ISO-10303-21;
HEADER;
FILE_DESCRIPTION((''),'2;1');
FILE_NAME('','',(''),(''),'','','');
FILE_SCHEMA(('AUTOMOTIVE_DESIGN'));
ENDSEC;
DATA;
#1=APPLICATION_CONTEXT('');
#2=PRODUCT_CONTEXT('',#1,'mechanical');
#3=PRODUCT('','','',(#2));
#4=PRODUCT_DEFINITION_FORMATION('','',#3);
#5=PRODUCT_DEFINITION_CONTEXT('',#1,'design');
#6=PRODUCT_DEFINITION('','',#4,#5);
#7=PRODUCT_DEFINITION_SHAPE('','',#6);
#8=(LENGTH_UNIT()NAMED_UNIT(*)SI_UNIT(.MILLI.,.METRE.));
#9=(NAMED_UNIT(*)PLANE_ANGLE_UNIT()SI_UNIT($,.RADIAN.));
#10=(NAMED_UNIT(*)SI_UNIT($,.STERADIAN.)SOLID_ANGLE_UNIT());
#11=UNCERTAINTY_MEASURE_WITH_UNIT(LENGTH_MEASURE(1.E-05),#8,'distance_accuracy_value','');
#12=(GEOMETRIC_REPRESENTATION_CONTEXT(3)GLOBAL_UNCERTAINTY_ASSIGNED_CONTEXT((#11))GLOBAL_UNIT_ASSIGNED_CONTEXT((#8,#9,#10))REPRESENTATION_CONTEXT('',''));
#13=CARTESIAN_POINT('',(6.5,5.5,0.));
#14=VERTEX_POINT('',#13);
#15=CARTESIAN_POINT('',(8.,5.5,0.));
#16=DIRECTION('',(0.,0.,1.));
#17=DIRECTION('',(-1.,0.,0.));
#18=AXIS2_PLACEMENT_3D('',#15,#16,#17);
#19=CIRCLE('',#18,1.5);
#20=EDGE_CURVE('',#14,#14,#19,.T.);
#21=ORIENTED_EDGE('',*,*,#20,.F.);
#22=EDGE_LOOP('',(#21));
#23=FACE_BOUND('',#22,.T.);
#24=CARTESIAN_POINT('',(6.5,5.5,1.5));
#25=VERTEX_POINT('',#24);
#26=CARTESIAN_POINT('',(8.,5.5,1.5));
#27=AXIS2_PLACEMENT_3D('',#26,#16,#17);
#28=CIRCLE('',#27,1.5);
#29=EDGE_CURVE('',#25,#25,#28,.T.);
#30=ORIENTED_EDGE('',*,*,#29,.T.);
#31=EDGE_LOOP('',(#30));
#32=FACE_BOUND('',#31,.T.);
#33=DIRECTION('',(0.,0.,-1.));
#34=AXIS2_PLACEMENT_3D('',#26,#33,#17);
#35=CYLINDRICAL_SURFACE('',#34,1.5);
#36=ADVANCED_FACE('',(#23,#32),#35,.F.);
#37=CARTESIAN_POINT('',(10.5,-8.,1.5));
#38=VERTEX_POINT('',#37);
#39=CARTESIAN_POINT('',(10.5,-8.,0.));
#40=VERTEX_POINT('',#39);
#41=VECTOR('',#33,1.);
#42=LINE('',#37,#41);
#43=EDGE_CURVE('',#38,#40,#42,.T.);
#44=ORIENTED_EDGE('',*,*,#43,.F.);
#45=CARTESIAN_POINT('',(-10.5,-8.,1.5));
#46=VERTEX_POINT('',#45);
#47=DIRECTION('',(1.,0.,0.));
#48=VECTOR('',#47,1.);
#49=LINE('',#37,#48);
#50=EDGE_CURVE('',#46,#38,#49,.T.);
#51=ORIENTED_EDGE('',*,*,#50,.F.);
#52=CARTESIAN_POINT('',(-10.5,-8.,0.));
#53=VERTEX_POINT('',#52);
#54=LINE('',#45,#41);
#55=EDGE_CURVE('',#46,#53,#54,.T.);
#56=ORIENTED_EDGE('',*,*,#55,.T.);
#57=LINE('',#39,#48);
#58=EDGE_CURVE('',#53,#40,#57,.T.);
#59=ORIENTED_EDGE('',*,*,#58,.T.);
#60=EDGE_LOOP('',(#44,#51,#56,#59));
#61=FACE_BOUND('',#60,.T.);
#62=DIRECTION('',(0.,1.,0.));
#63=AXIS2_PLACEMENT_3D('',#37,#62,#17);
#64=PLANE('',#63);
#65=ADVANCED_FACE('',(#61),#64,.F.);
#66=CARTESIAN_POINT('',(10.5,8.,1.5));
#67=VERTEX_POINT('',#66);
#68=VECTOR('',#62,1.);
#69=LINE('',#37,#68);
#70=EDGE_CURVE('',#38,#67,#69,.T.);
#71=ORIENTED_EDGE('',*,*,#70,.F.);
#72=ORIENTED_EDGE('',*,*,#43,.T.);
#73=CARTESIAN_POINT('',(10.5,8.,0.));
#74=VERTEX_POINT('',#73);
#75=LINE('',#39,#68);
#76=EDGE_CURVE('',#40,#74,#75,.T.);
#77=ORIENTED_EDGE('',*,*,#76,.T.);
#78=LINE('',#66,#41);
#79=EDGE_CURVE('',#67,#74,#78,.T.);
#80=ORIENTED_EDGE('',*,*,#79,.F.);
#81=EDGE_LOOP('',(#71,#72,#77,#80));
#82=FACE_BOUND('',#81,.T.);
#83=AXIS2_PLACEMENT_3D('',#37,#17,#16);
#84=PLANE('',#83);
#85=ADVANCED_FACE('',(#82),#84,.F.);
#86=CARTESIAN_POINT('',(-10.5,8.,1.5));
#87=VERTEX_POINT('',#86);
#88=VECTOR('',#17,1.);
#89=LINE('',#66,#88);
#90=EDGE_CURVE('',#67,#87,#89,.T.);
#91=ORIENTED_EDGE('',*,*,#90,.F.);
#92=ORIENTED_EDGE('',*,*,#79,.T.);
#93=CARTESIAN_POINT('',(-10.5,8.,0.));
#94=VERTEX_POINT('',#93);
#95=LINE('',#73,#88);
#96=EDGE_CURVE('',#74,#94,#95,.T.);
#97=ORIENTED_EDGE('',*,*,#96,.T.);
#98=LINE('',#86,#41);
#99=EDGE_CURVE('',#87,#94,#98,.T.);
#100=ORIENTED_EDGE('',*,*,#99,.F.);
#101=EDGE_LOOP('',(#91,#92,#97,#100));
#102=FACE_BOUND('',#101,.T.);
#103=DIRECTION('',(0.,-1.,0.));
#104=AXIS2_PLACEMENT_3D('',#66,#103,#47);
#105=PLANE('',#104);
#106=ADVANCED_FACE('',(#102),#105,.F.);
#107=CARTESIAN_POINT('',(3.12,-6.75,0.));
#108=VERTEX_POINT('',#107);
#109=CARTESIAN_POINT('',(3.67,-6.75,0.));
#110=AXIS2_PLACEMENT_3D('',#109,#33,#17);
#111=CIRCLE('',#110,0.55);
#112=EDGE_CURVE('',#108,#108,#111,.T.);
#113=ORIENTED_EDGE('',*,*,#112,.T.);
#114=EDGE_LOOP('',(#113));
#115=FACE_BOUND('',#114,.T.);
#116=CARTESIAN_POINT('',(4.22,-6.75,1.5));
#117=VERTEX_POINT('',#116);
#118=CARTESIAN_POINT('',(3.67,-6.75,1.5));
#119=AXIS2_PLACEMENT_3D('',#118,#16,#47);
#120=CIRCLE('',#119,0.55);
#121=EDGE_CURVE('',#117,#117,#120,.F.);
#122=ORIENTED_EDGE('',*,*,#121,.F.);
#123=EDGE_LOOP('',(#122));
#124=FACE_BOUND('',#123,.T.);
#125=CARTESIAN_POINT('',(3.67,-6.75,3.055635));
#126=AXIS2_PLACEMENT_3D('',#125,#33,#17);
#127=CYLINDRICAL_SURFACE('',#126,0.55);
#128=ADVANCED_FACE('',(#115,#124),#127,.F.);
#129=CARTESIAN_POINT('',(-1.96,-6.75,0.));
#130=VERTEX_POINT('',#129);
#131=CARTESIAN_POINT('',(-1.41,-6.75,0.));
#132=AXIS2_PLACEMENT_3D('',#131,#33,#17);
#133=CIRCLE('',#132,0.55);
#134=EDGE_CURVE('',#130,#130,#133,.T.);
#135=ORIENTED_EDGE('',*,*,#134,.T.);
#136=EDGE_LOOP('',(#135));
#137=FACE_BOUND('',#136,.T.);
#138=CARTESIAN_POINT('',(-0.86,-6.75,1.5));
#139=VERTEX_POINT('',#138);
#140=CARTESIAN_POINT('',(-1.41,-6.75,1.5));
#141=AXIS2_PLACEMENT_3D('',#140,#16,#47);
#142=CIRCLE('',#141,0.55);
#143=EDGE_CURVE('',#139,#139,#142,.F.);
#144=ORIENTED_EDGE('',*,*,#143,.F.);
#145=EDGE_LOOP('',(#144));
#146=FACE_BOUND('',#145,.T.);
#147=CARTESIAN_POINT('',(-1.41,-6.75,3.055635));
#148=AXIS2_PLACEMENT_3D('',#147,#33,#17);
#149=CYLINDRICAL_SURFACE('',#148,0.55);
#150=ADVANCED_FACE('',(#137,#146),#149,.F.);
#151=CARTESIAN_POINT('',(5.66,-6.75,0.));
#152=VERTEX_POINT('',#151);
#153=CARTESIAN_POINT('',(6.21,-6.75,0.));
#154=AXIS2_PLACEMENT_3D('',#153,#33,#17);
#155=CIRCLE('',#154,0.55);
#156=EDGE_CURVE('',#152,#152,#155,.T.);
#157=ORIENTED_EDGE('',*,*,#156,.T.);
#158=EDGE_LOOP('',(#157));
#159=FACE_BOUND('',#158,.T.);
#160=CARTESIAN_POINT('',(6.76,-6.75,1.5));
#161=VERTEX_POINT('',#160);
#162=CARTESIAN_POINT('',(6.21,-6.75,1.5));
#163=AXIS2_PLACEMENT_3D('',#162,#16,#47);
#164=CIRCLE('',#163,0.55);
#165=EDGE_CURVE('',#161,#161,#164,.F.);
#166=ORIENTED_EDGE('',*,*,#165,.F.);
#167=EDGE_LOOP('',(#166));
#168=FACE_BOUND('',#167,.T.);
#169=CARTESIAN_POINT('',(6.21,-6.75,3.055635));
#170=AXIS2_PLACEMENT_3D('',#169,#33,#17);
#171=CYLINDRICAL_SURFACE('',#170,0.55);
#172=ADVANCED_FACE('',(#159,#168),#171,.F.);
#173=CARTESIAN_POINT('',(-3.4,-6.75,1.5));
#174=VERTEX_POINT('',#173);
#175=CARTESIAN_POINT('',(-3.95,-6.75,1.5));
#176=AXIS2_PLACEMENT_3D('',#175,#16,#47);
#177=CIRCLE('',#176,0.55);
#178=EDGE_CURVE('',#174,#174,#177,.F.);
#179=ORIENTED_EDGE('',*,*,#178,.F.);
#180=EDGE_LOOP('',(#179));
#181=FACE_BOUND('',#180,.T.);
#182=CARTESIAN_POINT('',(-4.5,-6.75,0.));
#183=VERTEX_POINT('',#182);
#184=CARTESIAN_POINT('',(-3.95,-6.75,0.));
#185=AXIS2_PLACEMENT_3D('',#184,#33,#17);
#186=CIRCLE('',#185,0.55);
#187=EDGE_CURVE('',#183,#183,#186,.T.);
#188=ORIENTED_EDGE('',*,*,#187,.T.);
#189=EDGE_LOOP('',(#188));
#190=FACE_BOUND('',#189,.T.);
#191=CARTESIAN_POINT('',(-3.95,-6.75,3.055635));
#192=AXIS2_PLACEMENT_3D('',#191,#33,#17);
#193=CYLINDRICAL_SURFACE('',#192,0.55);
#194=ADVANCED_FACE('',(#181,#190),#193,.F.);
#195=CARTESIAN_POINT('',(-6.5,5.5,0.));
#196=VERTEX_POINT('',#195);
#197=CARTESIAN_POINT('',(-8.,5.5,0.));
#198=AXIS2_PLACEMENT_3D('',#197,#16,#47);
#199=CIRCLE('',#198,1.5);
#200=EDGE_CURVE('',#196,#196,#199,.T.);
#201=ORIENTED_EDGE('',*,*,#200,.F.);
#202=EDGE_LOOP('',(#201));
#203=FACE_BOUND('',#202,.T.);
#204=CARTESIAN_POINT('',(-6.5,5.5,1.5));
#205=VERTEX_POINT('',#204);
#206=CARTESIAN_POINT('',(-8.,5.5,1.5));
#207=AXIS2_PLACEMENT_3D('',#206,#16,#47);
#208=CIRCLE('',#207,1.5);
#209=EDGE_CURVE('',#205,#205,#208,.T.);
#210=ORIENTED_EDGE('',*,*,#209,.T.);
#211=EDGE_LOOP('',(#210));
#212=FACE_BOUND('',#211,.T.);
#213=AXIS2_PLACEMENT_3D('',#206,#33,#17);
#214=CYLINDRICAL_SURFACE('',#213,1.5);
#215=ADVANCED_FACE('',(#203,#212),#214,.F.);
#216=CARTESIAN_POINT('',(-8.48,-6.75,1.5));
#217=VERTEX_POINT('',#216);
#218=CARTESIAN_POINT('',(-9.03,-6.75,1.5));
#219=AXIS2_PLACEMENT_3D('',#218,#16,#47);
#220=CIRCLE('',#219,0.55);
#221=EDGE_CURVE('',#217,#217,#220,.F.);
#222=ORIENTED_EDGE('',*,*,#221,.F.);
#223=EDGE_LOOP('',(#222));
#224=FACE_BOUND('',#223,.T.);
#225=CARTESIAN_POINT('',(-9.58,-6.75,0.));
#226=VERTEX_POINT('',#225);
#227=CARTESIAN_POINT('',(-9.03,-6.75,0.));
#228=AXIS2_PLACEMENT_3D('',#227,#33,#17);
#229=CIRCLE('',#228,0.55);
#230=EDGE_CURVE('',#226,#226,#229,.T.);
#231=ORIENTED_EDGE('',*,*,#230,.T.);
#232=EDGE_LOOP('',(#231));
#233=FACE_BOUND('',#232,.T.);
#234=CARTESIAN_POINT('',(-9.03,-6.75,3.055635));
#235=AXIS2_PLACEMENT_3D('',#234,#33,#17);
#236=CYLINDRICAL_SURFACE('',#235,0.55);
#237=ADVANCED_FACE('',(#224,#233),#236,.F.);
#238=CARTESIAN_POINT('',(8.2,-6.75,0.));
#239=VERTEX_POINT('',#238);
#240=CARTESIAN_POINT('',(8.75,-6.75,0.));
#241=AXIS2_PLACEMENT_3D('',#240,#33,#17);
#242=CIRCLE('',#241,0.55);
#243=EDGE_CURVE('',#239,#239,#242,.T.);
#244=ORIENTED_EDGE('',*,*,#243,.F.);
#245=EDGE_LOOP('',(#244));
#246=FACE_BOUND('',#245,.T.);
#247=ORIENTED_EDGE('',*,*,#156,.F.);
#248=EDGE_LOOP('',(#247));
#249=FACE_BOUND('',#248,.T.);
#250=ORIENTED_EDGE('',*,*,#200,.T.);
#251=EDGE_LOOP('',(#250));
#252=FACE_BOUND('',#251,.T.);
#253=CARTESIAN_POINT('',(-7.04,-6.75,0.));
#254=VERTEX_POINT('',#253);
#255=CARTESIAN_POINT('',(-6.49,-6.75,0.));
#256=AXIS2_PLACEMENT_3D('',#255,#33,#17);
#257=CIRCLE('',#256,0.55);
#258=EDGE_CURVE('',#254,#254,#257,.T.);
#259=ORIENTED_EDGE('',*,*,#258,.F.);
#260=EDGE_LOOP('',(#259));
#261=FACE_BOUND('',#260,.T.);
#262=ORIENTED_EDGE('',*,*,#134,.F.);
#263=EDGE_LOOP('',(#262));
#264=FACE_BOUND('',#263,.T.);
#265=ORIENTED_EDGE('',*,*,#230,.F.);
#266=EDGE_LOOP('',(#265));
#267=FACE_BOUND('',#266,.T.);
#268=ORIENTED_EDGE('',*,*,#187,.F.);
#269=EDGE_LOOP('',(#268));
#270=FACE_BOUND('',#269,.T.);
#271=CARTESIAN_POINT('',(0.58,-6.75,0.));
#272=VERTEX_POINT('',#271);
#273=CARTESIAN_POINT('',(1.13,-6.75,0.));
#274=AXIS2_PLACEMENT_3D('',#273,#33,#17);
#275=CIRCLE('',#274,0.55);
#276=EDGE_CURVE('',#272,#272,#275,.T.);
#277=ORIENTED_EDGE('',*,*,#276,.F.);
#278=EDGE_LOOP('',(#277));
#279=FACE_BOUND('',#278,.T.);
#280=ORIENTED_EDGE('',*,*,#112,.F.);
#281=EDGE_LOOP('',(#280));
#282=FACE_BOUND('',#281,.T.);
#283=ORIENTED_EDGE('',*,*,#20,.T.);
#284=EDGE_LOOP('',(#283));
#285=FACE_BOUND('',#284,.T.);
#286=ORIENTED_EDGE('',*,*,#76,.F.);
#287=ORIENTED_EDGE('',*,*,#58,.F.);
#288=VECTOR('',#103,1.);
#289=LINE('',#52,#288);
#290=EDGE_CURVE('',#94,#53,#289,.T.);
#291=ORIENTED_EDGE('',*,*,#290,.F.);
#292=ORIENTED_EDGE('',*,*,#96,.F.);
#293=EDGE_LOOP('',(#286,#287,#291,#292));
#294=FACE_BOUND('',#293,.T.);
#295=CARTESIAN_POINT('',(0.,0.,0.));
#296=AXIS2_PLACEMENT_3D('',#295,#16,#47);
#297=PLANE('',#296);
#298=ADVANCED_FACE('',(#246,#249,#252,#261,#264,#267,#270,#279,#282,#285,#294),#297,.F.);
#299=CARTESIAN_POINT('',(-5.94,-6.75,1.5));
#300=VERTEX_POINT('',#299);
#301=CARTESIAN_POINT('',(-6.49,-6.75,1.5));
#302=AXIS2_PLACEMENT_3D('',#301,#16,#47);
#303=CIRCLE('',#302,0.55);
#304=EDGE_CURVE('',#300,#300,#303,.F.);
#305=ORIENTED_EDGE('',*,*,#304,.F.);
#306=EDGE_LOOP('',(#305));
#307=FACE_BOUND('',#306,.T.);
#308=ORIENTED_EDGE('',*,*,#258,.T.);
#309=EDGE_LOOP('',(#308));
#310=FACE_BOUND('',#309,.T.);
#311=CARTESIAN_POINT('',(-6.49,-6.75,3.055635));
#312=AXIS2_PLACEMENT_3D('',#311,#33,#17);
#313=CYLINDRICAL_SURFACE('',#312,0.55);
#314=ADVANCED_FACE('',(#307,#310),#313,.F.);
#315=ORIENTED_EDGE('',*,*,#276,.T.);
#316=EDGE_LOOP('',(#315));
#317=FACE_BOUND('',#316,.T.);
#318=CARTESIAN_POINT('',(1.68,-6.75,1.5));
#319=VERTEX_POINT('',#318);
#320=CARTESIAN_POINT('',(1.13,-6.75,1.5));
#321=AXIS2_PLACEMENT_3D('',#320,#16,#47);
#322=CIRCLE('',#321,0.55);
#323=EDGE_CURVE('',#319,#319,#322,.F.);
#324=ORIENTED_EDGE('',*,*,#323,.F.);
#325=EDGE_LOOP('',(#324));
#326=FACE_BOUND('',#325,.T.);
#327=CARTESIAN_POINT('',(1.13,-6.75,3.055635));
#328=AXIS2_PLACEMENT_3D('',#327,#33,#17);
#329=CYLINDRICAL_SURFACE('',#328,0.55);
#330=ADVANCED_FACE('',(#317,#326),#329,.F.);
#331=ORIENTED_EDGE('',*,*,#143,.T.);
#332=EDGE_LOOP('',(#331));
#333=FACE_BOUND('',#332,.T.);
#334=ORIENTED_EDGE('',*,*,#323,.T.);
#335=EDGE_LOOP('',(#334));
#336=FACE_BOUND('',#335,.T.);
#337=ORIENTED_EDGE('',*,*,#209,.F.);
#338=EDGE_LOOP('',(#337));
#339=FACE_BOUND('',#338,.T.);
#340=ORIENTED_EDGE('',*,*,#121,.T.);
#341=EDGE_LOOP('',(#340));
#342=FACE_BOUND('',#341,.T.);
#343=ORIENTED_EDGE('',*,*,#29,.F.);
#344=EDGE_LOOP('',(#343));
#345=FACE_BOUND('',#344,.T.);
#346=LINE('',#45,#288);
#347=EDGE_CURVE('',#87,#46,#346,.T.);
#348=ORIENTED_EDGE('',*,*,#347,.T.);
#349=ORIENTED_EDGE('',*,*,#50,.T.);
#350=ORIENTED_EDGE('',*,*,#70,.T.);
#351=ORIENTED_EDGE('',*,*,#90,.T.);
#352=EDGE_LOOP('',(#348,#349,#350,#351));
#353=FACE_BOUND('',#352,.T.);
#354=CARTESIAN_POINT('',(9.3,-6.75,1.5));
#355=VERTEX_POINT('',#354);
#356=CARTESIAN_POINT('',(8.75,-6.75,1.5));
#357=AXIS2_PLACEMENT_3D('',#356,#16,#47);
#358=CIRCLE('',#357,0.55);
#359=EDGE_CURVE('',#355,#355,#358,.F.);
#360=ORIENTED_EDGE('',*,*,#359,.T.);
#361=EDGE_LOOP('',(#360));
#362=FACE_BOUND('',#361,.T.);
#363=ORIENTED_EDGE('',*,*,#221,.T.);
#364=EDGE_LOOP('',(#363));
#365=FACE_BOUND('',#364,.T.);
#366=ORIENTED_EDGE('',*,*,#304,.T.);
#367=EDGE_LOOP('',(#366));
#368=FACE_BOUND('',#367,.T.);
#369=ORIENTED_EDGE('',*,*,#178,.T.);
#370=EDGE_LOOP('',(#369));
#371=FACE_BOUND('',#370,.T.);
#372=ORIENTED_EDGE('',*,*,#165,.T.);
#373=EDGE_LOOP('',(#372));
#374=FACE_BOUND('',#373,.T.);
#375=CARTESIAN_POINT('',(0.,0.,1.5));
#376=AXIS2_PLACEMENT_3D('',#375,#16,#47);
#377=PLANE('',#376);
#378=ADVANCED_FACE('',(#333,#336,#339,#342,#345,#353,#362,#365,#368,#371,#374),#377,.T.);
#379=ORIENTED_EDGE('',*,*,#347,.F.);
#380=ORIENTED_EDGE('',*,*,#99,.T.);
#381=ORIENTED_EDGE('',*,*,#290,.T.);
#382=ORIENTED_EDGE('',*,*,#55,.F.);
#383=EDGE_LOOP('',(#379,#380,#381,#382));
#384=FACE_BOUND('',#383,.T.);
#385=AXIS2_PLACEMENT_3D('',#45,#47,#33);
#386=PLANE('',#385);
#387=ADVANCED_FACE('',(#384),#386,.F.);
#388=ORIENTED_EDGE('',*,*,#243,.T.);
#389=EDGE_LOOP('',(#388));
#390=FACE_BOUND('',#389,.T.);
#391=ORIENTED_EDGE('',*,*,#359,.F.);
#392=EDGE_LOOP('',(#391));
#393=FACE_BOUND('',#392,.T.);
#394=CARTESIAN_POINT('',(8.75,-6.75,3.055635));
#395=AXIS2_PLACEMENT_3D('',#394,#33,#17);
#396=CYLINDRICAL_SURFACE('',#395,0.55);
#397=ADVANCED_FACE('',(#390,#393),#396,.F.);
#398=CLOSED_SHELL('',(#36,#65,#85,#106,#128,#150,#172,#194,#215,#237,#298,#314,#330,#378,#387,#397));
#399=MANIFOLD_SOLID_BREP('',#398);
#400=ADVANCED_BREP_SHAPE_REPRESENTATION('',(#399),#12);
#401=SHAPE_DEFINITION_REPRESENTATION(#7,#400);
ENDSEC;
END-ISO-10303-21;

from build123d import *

# Parameters (mm, degrees)
CROQUIS1_W              = 21
CROQUIS1_H              = 16
CROQUIS1_R              = 1.5
SALIENTE_EXTRUIR1_DEPTH = 1.5
CROQUIS2_R              = 0.55
CORTAR_EXTRUIR1_DEPTH   = 1.5


with BuildPart() as part:
    # Croquis1 → Saliente-Extruir1 (new body)
    with BuildSketch(Plane.XY):
        Rectangle(CROQUIS1_W, CROQUIS1_H)
        with Locations((-8, 5.5)):
            Circle(CROQUIS1_R, mode=Mode.SUBTRACT)
        with Locations(Location((8, 5.5, 0), (0, 0, 180))):
            Circle(CROQUIS1_R, mode=Mode.SUBTRACT)
    extrude(amount=SALIENTE_EXTRUIR1_DEPTH)

    # Croquis2 → Cortar-Extruir1 (cut)
    with BuildSketch(Plane(origin=(0, 0, 0), x_dir=(-1, 0, 0), z_dir=(0, 0, -1))):
        with Locations((-8.75, -6.75)):
            Circle(CROQUIS2_R)
        with Locations((-6.21, -6.75)):
            Circle(CROQUIS2_R)
        with Locations((-3.67, -6.75)):
            Circle(CROQUIS2_R)
        with Locations((-1.13, -6.75)):
            Circle(CROQUIS2_R)
        with Locations((1.41, -6.75)):
            Circle(CROQUIS2_R)
        with Locations((3.95, -6.75)):
            Circle(CROQUIS2_R)
        with Locations((6.49, -6.75)):
            Circle(CROQUIS2_R)
        with Locations((9.03, -6.75)):
            Circle(CROQUIS2_R)
    extrude(amount=-CORTAR_EXTRUIR1_DEPTH, mode=Mode.SUBTRACT)


solid = part.part
